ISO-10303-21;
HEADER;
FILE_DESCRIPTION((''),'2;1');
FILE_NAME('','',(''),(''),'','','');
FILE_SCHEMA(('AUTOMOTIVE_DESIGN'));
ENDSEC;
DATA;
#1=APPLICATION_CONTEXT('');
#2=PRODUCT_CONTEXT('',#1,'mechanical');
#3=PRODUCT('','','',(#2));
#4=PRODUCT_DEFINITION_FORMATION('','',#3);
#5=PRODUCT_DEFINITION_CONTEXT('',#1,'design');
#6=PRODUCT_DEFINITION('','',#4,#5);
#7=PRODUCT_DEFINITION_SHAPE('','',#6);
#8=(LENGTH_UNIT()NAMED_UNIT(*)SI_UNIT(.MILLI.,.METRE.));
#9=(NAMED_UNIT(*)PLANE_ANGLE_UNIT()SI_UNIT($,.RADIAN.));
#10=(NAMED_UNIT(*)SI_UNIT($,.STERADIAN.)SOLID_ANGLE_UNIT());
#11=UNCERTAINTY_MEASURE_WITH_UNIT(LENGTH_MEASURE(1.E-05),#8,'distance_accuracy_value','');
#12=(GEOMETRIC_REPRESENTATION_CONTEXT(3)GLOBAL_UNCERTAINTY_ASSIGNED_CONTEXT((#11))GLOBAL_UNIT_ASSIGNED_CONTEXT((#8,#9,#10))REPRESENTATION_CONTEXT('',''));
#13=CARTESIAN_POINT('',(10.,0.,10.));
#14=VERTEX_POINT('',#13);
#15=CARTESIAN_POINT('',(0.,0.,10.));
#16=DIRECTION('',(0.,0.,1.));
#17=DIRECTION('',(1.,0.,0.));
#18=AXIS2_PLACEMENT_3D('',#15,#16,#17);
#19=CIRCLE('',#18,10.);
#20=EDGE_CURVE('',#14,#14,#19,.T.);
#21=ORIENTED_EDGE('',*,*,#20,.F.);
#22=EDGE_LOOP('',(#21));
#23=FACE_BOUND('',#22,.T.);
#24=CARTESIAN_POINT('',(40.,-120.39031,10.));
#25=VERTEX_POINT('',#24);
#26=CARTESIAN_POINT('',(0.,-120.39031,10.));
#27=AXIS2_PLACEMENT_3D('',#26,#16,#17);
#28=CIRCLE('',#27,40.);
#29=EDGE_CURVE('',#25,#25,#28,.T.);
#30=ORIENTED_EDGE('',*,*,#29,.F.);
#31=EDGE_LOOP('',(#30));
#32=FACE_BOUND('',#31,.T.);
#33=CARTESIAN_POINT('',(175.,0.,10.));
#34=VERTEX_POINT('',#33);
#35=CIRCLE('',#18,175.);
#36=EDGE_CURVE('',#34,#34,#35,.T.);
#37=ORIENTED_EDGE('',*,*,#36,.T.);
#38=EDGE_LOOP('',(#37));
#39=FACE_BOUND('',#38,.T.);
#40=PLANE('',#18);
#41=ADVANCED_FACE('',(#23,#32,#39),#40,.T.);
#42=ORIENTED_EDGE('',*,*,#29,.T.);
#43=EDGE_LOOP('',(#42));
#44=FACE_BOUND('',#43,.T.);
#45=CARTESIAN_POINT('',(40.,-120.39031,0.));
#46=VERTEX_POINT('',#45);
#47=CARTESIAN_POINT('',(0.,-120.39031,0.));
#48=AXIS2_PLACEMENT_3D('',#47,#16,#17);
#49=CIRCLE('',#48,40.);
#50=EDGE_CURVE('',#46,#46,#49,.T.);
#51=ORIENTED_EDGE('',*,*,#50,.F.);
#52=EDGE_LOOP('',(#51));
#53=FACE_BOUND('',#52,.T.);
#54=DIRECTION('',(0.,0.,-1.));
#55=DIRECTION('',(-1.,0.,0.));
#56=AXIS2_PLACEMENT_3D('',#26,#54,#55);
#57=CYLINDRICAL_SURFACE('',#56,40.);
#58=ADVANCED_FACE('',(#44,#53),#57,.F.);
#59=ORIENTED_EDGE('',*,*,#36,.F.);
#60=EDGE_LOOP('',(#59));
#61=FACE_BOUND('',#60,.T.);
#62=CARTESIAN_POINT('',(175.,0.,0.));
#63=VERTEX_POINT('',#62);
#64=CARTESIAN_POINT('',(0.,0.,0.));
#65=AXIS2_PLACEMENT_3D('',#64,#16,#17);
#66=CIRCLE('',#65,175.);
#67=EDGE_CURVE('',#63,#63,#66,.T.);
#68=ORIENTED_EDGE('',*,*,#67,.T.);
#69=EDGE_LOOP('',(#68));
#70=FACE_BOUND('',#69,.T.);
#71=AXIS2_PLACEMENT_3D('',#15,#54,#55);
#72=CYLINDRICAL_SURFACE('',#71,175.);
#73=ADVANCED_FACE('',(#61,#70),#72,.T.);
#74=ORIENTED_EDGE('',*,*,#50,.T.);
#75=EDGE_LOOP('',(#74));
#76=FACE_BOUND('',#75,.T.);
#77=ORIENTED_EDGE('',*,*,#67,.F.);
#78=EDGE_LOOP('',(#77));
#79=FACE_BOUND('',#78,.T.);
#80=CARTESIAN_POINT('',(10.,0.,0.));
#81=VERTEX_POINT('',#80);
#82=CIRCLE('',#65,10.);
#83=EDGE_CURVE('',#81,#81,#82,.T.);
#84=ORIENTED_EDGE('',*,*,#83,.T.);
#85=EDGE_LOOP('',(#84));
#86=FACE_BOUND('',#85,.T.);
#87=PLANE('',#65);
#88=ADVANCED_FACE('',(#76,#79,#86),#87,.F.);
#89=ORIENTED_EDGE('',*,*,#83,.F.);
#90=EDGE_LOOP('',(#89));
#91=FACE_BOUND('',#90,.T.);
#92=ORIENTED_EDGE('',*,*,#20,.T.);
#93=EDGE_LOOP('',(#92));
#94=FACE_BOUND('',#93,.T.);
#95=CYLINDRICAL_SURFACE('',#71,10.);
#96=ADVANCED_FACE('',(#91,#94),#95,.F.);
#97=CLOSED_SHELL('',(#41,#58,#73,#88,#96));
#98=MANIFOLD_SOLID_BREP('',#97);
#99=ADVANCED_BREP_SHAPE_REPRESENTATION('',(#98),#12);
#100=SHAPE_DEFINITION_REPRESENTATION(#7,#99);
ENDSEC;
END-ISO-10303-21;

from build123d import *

# Parameters (mm, degrees)
SKETCH1_R           = 175
SKETCH1_R_2         = 40
SKETCH1_R_3         = 10
BOSS_EXTRUDE3_DEPTH = 10


with BuildPart() as part:
    # Sketch1 → Boss-Extrude3 (new body)
    with BuildSketch(Plane.XY):
        Circle(SKETCH1_R)
        with Locations((0, -120.390309949)):
            Circle(SKETCH1_R_2, mode=Mode.SUBTRACT)
        Circle(SKETCH1_R_3, mode=Mode.SUBTRACT)
    extrude(amount=BOSS_EXTRUDE3_DEPTH)


solid = part.part
